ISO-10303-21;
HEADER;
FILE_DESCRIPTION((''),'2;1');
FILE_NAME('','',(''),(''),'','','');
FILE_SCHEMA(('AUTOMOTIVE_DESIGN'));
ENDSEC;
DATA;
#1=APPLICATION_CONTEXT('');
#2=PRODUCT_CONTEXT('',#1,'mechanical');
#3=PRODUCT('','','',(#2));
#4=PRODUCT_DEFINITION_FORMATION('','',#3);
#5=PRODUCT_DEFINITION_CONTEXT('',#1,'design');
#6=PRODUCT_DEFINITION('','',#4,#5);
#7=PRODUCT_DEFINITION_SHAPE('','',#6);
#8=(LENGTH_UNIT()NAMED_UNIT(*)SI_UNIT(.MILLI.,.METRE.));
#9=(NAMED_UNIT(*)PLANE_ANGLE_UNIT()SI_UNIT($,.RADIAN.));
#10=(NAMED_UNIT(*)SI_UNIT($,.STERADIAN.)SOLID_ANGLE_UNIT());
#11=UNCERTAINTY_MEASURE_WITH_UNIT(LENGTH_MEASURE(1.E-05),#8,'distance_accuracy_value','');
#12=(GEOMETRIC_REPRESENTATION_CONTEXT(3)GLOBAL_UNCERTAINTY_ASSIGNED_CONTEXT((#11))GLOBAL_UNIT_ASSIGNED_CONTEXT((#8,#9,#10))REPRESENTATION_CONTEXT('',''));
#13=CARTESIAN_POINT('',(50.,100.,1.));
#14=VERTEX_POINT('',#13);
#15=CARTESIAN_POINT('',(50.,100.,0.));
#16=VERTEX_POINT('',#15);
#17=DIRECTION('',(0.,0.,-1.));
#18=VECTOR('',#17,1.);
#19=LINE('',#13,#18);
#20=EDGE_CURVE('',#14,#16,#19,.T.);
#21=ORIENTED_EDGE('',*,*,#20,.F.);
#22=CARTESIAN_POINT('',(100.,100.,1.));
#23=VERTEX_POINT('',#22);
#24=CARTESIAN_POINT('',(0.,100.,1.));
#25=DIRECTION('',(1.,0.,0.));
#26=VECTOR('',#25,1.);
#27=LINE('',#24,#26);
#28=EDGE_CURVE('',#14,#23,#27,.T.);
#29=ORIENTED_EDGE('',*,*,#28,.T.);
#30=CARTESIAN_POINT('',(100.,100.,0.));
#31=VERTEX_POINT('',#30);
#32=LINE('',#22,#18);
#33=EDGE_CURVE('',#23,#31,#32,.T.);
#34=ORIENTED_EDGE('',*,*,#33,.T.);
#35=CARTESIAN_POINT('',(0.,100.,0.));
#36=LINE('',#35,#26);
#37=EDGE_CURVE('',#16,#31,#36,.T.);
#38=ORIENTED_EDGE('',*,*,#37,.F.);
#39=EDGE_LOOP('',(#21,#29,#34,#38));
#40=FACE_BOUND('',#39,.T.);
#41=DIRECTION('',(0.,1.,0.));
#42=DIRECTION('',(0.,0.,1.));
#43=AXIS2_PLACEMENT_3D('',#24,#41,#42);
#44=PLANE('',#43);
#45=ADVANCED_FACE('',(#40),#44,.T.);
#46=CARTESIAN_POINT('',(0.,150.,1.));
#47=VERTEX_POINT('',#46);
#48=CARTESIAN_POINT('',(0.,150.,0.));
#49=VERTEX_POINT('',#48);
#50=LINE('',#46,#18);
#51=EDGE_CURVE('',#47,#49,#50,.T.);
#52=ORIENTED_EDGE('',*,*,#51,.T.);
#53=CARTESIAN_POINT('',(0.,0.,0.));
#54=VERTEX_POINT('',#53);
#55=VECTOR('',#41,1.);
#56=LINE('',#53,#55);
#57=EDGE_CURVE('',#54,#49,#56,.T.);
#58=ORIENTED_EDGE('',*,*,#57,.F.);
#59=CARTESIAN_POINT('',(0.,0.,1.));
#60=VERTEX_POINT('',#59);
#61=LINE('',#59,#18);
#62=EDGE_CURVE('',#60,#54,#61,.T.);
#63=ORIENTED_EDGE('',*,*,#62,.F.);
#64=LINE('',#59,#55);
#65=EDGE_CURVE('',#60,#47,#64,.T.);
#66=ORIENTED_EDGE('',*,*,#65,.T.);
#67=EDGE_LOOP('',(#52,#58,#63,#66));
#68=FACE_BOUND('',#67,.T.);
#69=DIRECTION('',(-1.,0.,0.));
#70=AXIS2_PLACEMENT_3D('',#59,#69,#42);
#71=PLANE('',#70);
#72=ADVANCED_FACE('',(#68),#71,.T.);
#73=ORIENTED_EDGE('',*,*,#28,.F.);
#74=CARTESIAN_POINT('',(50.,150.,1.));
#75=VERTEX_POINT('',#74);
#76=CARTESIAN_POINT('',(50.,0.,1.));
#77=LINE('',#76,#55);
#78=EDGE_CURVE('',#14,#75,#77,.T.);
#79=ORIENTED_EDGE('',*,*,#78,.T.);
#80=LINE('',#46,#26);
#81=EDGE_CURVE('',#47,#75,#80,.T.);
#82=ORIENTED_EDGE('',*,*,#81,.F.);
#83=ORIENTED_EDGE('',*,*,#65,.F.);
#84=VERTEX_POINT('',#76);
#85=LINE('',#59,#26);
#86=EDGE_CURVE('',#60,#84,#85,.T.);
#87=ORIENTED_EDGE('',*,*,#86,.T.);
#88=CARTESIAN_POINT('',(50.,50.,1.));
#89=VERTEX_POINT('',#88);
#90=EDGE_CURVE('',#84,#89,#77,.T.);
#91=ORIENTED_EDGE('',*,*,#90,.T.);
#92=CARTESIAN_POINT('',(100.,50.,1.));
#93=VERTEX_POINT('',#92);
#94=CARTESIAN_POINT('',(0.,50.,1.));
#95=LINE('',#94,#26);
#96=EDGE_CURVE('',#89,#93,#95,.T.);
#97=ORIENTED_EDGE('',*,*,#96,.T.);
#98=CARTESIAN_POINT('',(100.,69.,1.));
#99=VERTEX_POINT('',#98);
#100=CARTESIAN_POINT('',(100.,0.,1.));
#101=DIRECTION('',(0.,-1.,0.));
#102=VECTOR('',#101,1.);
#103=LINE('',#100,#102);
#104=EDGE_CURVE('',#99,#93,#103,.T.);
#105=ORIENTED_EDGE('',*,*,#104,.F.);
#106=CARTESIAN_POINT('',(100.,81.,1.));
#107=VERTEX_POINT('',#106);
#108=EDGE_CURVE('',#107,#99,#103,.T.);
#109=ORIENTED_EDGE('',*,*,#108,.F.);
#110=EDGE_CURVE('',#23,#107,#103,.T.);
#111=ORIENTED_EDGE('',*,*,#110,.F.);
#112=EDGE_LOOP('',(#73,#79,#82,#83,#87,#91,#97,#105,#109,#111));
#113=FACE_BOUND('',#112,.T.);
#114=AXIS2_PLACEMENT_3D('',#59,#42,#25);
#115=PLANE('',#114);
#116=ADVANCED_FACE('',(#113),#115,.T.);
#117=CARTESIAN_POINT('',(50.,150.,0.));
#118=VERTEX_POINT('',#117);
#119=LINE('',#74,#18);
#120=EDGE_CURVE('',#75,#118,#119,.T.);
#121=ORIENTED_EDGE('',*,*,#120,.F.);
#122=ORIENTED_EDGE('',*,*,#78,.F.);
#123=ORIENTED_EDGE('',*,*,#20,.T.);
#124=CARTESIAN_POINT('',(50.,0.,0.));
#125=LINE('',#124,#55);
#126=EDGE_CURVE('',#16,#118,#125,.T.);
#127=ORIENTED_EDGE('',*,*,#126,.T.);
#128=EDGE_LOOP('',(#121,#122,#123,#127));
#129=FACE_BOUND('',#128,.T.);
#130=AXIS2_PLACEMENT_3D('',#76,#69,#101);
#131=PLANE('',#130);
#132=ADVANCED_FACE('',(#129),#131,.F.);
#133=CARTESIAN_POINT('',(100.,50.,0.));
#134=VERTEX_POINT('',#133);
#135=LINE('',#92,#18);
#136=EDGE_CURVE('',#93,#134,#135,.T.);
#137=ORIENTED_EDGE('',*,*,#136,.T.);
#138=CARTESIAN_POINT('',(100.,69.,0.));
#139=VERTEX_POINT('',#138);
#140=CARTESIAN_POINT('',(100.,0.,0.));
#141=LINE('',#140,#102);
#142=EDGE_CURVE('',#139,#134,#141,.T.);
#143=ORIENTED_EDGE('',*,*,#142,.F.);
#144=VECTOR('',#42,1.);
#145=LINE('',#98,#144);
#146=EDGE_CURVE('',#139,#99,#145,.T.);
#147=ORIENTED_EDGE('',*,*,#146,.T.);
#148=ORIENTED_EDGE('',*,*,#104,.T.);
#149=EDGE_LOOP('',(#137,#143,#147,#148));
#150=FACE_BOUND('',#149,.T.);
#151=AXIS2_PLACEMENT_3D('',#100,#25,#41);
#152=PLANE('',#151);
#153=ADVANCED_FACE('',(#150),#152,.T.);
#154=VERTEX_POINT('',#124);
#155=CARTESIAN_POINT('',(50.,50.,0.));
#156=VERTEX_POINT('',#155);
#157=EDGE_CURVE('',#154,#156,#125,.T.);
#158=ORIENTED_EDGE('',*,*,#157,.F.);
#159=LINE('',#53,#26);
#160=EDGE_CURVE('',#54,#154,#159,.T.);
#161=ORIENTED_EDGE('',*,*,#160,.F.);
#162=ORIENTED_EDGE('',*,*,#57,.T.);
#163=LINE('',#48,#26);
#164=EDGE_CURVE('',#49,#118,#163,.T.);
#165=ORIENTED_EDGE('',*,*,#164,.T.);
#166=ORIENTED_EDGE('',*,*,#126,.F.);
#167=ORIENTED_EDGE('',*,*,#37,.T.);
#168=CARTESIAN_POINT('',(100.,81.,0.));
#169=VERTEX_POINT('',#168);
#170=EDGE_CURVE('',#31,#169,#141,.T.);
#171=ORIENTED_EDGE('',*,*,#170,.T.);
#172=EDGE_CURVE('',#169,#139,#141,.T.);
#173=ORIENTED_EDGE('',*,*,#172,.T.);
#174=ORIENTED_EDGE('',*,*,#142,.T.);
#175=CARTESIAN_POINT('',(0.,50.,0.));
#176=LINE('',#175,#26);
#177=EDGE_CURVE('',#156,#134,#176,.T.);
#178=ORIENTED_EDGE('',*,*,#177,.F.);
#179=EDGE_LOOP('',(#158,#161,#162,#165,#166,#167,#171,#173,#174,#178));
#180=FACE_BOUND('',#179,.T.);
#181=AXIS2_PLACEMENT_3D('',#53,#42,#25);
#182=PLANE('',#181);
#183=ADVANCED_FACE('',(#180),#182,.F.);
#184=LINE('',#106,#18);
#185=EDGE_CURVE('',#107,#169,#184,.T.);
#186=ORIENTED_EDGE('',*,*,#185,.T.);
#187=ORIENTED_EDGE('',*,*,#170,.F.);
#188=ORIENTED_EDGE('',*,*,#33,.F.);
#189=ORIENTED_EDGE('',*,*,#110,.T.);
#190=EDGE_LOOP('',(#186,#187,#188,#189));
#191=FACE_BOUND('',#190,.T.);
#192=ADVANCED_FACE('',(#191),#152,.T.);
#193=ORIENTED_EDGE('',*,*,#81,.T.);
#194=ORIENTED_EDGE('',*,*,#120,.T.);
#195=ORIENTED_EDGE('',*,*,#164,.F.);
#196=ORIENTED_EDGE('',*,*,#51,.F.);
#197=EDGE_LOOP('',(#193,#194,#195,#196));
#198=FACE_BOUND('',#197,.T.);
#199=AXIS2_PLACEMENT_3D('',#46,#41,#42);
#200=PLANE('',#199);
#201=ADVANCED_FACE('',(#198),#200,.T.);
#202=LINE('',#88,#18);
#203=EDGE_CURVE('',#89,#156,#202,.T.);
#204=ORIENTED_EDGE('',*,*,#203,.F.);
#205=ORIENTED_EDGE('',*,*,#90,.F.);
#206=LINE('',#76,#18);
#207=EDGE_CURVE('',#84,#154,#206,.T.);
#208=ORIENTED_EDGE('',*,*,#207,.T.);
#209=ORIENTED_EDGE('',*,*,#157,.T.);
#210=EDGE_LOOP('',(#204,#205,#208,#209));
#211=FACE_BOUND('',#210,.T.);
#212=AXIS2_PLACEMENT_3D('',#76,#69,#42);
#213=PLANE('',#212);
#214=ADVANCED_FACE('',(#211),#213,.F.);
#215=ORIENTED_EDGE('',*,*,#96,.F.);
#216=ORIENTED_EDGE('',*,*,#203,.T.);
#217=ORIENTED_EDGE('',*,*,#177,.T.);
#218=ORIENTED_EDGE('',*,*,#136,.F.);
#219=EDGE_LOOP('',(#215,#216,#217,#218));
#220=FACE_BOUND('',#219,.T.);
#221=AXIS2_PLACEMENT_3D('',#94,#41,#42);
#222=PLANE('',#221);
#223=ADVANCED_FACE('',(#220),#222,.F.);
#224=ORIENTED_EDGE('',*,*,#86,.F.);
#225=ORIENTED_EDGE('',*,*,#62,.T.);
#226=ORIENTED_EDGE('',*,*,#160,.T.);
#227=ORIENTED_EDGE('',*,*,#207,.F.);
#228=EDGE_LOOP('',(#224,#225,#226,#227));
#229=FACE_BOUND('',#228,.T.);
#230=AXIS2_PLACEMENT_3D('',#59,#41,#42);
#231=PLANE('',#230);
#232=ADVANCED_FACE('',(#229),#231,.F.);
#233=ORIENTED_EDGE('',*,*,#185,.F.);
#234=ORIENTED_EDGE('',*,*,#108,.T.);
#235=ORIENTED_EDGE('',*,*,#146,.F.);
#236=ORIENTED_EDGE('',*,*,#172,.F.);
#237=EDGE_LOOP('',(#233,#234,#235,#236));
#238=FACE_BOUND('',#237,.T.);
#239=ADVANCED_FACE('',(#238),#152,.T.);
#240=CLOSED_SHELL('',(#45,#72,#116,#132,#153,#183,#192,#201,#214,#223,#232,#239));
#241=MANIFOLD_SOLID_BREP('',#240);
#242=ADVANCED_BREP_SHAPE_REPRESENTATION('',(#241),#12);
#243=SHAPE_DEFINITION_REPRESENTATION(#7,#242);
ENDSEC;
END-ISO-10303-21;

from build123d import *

# Parameters (mm, degrees)
BOSS_EXTRUDE1_DEPTH = 1


with BuildPart() as part:
    # Sketch1 → Boss-Extrude1 (new body)
    with BuildSketch(Plane.XY):
        Polygon((50, 100), (50, 150), (0, 150), (0, 0), (50, 0), (50, 50), (100, 50), (100, 100), align=None)
    extrude(amount=BOSS_EXTRUDE1_DEPTH)


solid = part.part
